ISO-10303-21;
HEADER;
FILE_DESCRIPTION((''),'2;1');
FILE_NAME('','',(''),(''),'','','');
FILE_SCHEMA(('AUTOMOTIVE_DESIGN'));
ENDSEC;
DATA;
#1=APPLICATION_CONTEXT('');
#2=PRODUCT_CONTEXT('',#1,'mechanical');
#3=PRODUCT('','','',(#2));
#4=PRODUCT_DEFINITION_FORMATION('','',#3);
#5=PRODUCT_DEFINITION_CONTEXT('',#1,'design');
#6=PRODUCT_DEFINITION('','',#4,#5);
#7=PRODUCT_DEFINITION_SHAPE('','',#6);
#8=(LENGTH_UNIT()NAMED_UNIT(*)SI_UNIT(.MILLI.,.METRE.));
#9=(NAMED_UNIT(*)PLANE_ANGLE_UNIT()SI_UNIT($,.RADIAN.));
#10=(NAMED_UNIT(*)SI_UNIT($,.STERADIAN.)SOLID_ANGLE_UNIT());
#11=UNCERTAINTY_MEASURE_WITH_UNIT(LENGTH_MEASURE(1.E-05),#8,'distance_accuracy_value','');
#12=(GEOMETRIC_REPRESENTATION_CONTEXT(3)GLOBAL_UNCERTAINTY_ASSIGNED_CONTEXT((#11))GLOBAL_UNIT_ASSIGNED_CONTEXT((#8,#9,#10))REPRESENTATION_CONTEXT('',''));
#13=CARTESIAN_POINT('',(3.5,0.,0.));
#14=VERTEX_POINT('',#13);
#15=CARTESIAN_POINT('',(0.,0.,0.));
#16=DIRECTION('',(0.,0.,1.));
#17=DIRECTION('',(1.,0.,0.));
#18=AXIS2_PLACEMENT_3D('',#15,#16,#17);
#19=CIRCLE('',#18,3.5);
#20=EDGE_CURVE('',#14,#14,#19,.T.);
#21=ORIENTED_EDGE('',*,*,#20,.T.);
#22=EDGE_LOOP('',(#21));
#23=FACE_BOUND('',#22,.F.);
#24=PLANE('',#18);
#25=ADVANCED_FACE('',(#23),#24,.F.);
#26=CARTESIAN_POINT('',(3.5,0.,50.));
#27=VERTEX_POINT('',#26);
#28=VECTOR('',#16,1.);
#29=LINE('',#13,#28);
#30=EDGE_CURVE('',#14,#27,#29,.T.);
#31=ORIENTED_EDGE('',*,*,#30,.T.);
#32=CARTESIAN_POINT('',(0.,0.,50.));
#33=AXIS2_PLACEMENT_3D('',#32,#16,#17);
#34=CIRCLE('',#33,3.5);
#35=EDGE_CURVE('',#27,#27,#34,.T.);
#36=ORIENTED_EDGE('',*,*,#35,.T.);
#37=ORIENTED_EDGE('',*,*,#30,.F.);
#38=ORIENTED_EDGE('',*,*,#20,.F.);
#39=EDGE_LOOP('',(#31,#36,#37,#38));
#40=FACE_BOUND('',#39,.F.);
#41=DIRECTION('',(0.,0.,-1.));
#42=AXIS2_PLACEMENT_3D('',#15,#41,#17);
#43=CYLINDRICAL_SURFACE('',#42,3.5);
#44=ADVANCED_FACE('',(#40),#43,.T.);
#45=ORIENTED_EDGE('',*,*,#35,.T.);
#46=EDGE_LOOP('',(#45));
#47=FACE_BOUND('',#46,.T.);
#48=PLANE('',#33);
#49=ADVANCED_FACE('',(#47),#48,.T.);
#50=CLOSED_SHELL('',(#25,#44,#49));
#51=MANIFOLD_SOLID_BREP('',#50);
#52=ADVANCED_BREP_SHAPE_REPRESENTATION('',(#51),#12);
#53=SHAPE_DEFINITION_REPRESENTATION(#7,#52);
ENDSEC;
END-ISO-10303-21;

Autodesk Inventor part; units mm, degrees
ref_plane "YZ Plane" through (0, 0, 0) normal (1, 0, 0) x (0, 1, 0)
ref_plane "XZ Plane" through (0, 0, 0) normal (0, 1, 0) x (-1, 0, 0)
ref_plane "XY Plane" through (0, 0, 0) normal (0, 0, 1) x (1, 0, 0)
sketch "Sketch1" plane through (0, 0, 0) normal (0, 0, 1) x (1, 0, 0)
  circle A0 centre (0, 0) radius 3.5
  dimension "d0" = 7
extrude "Extrusion1" add sketch "Sketch1" along normal blind 50
properties part number "Eje 2"
